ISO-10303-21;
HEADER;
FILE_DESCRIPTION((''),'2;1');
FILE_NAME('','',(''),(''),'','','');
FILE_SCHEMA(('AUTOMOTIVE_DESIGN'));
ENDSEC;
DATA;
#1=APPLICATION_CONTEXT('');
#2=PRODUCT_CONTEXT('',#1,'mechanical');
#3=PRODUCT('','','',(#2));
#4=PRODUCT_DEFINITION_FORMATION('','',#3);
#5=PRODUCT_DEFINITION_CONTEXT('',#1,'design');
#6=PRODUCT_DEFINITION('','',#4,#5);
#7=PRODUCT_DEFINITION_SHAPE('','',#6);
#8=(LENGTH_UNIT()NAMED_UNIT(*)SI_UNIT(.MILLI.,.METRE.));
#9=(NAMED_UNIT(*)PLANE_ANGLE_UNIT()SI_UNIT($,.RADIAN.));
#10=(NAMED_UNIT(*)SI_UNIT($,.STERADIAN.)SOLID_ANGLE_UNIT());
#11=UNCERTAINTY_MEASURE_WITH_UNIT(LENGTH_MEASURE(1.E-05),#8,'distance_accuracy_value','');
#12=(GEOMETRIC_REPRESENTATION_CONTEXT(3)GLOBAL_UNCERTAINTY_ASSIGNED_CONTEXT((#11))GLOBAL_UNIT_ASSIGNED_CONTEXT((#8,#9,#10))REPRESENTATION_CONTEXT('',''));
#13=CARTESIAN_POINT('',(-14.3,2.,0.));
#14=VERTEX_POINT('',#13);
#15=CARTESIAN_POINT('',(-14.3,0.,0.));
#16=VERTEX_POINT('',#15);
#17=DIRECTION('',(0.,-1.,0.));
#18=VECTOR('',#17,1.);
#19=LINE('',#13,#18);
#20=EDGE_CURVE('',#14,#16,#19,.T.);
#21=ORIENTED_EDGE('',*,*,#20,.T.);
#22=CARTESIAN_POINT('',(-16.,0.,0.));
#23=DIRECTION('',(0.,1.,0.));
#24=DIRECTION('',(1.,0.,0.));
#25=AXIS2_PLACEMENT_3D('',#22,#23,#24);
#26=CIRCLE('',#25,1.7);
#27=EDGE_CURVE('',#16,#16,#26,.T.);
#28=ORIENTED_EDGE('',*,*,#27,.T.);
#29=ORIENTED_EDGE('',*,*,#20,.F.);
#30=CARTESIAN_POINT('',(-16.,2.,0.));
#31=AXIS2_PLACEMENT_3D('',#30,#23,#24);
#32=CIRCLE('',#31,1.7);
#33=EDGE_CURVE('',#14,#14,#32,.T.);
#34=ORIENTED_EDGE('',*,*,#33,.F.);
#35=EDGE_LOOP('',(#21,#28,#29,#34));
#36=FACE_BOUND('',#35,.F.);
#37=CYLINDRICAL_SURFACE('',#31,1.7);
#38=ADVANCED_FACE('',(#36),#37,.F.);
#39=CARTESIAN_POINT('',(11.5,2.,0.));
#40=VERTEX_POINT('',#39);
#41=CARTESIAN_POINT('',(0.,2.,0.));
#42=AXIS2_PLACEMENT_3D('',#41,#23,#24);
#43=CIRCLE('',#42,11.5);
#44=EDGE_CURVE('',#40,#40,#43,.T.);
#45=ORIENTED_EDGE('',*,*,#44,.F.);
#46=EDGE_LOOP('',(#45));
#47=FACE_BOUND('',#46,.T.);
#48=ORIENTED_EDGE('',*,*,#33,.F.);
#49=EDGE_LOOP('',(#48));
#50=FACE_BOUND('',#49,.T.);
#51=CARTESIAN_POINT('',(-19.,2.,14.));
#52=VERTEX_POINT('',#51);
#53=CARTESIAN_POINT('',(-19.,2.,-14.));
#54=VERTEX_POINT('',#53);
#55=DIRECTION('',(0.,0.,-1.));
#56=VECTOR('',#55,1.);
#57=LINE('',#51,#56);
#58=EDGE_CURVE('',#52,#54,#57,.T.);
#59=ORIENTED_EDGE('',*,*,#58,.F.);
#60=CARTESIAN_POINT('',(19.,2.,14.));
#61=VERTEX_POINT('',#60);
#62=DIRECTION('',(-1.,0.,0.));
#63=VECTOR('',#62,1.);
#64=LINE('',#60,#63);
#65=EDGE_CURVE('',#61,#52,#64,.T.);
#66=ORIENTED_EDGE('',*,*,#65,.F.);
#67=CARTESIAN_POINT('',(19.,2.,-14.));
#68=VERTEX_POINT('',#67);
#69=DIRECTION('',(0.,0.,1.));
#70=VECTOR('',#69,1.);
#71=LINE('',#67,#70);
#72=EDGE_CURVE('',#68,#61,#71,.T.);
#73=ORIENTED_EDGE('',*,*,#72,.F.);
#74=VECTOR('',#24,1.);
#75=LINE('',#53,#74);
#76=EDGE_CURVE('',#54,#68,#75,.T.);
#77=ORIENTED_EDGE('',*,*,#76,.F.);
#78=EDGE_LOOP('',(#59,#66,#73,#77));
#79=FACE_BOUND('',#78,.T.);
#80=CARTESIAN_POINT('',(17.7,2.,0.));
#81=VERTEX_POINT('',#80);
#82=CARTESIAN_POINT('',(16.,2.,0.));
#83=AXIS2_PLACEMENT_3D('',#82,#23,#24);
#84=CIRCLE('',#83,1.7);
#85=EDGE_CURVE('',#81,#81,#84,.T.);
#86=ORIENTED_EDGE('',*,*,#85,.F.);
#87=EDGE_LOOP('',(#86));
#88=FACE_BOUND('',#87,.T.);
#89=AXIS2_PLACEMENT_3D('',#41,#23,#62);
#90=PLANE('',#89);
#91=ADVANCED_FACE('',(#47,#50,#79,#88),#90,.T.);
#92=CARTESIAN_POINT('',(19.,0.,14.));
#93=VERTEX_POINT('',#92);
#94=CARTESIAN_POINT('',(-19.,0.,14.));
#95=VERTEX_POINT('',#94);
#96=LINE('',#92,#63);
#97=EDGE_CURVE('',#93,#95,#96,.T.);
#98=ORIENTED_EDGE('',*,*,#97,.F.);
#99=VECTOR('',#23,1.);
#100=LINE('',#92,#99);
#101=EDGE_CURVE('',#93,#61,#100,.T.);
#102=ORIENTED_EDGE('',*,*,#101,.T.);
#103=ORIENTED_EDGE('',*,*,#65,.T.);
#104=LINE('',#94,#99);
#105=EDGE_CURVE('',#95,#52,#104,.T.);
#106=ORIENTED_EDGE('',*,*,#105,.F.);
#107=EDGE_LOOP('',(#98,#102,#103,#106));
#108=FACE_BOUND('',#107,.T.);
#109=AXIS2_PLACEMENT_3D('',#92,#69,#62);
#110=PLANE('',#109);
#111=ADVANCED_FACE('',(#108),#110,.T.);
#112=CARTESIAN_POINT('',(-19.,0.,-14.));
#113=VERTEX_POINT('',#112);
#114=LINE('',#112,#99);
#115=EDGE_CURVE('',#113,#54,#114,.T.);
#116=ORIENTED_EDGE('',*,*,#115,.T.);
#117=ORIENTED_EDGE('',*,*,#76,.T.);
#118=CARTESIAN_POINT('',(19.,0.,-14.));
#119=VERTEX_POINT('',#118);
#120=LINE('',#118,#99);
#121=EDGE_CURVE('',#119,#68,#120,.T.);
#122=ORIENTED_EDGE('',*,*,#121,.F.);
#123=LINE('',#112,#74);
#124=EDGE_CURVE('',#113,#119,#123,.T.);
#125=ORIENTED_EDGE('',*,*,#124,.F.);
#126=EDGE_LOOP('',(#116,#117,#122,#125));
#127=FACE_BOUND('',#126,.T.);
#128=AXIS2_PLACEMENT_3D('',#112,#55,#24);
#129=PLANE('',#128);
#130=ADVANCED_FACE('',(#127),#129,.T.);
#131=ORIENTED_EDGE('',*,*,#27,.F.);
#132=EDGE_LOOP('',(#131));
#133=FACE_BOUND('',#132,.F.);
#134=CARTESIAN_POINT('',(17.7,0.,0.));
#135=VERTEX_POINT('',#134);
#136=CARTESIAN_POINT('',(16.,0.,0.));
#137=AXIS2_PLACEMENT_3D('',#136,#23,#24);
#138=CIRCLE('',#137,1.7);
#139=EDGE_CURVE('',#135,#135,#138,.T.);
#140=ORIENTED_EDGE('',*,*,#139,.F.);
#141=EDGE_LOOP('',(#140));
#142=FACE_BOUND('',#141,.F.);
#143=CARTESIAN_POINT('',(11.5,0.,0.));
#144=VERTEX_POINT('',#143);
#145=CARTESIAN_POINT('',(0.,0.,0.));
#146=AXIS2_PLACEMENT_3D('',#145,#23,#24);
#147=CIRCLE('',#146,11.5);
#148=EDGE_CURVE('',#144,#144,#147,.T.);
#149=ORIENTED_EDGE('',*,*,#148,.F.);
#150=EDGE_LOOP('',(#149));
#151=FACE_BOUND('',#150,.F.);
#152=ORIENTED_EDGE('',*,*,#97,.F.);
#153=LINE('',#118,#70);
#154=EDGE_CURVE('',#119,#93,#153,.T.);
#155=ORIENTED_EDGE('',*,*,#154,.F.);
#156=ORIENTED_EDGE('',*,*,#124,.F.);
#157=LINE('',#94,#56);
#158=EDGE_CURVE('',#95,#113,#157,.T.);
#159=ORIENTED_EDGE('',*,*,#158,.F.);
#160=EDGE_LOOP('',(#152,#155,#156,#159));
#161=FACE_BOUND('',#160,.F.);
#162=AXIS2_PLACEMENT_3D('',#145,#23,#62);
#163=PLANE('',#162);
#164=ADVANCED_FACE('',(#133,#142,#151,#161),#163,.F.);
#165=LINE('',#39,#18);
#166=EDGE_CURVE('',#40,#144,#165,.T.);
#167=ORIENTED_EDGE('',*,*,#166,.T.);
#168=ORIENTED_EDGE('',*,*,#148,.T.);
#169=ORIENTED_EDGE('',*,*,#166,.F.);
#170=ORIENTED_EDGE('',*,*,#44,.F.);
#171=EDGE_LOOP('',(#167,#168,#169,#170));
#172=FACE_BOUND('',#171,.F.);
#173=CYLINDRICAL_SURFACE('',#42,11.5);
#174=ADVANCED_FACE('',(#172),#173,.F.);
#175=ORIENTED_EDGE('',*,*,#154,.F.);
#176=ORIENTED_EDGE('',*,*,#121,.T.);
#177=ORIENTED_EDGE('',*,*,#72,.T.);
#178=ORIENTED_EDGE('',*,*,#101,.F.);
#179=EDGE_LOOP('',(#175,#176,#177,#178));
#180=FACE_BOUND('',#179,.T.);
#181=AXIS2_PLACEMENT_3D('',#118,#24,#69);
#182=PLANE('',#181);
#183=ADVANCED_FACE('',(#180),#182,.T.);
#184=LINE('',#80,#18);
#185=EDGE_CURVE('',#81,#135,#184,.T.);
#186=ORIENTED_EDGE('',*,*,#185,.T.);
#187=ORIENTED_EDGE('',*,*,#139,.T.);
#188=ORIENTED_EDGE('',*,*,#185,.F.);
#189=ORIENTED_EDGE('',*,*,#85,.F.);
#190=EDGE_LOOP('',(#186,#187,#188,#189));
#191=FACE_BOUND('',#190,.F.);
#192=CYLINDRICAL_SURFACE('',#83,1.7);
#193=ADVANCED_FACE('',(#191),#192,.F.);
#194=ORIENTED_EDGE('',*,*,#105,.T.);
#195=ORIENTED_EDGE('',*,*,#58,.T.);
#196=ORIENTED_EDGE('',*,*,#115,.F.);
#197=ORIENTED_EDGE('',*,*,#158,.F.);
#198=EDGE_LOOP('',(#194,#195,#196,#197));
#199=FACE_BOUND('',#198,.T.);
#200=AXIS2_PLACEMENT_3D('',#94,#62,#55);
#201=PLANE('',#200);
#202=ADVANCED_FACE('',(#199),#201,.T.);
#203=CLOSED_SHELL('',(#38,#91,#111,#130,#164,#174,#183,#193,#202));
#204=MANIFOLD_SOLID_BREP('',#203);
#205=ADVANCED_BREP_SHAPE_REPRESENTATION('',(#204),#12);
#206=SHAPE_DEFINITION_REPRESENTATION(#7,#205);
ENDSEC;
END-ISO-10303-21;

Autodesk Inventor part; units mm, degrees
ref_plane "YZ Plane" through (0, 0, 0) normal (1, 0, 0) x (0, 1, 0)
ref_plane "XZ Plane" through (0, 0, 0) normal (0, 1, 0) x (-1, 0, 0)
ref_plane "XY Plane" through (0, 0, 0) normal (0, 0, 1) x (1, 0, 0)
sketch "スケッチ1" plane through (0, 0, 0) normal (0, 1, 0) x (-1, 0, 0)
  line L0 (19, -14) -> (-19, -14)
  line L1 (-19, -14) -> (-19, 14)
  line L2 (-19, 14) -> (19, 14)
  line L3 (19, 14) -> (19, -14)
  line L4 (0, -27.2114) -> (0, 0) construction
  line L5 (0, 0) -> (-35.5982, 0) construction
  dimension "d0" = 28
  dimension "d1" = 38
extrude "押し出し1" add sketch "スケッチ1" along normal blind 2
sketch "スケッチ2" plane through (0, 2, 0) normal (0, 1, 0) x (1, 0, 0)
  circle A0 centre (0, 0) radius 11.5
  circle A1 centre (-16, 0) radius 1.7
  circle A2 centre (16, 0) radius 1.7
  line L0 (-19, 14) -> (-19, -14) projected
  line L1 (19, -14) -> (19, 14) projected
  dimension "d4" = 23
  dimension "d5" = 3.4
  dimension "d6" = 3.4
  dimension "d7" = 3
  dimension "d8" = 3
extrude "押し出し2" cut sketch "スケッチ2" against normal through all
properties part number "HayashiProbeHead_up" material "ステンレス鋼 440C"
